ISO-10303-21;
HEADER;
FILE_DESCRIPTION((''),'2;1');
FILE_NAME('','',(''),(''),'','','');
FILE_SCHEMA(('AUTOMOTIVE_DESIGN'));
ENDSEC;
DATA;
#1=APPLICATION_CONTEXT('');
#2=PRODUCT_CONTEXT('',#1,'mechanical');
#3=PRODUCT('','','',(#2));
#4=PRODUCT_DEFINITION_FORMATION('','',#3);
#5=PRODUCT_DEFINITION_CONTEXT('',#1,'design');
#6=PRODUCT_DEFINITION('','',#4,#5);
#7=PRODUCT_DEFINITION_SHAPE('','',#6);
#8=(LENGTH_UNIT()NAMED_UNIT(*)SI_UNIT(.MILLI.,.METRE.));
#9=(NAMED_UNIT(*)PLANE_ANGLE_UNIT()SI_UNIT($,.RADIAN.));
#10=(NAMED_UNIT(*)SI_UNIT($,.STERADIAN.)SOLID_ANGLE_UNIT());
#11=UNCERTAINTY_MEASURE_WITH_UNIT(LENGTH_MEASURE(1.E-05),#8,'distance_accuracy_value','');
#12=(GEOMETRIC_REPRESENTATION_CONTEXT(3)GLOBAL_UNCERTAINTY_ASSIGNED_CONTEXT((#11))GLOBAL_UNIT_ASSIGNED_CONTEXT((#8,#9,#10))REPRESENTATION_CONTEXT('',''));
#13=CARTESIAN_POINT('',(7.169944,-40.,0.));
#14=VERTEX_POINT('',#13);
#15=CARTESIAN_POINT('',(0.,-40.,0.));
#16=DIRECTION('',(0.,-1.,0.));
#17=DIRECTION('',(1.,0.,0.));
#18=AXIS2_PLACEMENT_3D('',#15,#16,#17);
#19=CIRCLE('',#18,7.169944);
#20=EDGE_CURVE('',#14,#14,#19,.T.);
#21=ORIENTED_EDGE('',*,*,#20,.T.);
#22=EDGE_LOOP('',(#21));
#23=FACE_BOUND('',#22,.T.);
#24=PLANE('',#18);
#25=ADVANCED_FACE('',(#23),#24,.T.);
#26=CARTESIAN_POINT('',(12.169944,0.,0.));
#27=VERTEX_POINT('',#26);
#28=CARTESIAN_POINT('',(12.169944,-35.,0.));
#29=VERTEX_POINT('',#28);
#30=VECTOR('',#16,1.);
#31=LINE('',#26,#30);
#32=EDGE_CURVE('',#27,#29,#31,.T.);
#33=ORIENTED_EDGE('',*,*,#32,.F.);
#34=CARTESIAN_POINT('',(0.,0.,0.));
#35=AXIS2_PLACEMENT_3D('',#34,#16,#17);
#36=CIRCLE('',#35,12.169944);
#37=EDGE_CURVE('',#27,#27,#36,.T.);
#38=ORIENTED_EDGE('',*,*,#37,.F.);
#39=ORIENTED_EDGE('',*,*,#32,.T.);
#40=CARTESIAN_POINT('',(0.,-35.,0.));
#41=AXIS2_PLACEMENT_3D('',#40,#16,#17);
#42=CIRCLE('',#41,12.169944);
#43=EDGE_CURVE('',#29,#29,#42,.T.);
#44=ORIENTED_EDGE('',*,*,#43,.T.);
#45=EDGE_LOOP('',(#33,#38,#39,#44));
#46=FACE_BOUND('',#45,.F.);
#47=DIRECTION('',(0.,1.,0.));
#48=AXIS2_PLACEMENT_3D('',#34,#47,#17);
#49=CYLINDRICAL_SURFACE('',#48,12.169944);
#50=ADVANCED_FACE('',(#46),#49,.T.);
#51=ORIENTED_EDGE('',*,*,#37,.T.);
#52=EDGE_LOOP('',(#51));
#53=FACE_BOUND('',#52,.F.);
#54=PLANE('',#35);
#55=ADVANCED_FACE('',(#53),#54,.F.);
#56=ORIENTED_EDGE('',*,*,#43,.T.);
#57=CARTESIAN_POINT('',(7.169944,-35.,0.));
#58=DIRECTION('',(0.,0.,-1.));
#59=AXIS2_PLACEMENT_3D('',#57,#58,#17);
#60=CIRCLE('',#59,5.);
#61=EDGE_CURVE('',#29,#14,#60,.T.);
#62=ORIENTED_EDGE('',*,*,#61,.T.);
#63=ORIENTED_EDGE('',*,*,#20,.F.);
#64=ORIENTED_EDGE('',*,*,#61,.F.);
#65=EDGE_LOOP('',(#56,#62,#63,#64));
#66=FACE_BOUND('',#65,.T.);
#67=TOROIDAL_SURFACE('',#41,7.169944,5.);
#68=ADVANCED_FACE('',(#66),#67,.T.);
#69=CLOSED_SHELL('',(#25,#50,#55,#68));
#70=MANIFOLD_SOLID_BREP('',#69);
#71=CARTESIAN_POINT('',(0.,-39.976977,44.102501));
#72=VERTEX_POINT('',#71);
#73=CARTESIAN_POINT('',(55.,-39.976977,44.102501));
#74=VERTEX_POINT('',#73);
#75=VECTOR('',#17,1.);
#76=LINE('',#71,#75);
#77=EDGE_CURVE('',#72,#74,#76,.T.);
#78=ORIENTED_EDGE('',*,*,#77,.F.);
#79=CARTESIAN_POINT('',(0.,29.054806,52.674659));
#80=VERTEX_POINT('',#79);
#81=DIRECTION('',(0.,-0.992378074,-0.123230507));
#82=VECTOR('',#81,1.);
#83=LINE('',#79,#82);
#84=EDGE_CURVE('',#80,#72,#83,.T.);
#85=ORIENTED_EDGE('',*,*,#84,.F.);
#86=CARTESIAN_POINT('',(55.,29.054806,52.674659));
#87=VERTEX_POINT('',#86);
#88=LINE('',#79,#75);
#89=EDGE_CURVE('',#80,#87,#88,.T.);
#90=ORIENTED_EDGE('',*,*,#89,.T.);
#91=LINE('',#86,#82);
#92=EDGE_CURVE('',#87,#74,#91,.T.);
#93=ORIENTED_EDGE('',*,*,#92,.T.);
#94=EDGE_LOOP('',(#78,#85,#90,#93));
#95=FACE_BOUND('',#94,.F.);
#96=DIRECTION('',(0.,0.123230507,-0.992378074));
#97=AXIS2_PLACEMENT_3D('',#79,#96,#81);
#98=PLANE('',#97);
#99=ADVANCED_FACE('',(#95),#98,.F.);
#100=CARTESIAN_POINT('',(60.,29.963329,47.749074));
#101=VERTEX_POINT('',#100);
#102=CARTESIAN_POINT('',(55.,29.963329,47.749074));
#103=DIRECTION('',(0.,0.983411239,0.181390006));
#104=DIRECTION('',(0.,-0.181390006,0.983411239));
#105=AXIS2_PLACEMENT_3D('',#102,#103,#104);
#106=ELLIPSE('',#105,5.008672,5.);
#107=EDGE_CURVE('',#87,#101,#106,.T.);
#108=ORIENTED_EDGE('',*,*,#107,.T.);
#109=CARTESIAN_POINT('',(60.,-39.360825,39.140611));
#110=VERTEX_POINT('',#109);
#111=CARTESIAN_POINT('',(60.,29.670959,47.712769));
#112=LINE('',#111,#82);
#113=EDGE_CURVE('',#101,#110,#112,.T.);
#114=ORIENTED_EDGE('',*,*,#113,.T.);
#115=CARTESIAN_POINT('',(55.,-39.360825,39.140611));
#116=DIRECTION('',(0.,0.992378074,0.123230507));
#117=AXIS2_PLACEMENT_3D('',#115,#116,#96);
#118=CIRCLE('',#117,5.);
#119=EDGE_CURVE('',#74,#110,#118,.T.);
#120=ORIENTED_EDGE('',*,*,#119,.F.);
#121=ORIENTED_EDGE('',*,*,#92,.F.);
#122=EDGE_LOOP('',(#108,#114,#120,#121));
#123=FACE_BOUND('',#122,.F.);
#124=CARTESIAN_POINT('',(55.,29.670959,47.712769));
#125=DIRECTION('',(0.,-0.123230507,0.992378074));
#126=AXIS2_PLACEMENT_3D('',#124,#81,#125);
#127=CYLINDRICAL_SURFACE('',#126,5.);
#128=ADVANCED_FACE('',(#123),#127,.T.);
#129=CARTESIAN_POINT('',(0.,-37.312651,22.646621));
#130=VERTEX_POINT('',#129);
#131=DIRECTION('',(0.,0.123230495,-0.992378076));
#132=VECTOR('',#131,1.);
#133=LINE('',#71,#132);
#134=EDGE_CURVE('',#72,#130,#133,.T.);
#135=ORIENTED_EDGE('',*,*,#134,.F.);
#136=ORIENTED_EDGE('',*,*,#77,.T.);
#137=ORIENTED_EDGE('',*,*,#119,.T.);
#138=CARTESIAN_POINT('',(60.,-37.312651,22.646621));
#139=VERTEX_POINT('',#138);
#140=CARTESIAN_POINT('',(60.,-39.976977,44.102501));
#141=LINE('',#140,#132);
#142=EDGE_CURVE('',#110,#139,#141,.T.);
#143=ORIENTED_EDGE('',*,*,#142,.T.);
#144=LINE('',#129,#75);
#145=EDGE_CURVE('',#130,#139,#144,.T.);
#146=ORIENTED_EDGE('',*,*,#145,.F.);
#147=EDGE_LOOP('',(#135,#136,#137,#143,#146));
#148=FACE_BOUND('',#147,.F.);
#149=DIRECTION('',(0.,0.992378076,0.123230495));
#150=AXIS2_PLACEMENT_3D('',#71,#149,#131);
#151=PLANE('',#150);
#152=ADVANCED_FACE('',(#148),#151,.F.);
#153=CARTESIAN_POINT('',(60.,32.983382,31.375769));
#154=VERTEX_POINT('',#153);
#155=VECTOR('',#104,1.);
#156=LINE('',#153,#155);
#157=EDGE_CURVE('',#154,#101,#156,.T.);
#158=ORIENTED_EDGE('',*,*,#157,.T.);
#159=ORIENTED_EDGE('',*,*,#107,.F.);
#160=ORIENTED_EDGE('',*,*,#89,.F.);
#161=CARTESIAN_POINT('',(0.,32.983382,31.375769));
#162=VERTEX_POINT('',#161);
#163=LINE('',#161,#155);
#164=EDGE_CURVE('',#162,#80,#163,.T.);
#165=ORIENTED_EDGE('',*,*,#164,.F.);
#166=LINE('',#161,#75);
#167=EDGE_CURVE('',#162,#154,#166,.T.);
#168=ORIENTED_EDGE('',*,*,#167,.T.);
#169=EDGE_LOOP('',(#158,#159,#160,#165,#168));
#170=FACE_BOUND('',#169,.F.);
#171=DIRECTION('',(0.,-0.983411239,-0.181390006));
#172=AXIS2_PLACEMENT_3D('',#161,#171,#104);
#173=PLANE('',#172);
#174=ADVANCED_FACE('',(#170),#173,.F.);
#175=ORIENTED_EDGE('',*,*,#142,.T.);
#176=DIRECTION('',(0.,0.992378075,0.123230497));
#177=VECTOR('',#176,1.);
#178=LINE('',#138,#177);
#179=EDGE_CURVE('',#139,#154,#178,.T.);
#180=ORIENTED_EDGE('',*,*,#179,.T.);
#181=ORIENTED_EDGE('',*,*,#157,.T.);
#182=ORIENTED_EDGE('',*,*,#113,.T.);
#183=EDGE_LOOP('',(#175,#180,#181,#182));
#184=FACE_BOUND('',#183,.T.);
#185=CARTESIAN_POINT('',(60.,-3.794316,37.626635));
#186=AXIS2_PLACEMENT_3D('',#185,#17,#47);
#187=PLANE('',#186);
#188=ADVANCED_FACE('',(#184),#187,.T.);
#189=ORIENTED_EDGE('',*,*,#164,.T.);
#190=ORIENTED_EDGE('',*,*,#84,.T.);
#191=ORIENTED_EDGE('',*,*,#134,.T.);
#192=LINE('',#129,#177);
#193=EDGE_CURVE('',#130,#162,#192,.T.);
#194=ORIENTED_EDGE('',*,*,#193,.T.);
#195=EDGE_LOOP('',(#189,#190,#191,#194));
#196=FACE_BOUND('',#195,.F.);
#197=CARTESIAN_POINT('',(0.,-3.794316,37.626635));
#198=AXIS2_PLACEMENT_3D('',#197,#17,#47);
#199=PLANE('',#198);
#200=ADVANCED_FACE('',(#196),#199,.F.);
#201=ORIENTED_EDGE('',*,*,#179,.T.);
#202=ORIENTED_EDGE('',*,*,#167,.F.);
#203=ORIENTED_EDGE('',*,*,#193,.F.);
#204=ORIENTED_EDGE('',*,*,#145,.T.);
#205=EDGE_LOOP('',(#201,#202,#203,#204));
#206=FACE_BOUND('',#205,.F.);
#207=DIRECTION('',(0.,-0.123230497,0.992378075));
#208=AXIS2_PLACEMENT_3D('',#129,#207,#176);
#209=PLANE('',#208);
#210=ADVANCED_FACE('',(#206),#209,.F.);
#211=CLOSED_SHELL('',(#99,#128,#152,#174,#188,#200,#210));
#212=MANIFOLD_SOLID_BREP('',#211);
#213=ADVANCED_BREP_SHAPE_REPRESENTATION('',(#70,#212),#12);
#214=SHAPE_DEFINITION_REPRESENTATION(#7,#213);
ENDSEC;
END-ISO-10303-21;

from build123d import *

# Parameters (mm, degrees)
F0_R     = 12.169944
F1_DEPTH = 40
F2_R     = 5
F4_DEPTH = 60
F5_R     = 5


with BuildPart() as f1:
    # F0 (on Front) → F1 (new body)
    with BuildSketch(Plane.XZ):
        Circle(F0_R)
    extrude(amount=F1_DEPTH)

    # F2
    f2_edges = [f1.edges().sort_by_distance(p)[0] for p in [
        (-12.169944, -40, 0),
    ]]
    fillet(f2_edges, radius=F2_R)


with BuildPart() as f4:
    # F3 (on Right) → F4 (new body)
    with BuildSketch(Plane.YZ):
        Polygon((29.054806, 52.674659), (-39.976977, 44.102501), (-37.312651, 22.646621), (32.983382, 31.375769), align=None)
    extrude(amount=F4_DEPTH)

    # F5
    f5_edges = [f4.edges().sort_by_distance(p)[0] for p in [
        (60, -5.461086, 48.38858),
    ]]
    fillet(f5_edges, radius=F5_R)


solid = Compound([f1.part, f4.part])
